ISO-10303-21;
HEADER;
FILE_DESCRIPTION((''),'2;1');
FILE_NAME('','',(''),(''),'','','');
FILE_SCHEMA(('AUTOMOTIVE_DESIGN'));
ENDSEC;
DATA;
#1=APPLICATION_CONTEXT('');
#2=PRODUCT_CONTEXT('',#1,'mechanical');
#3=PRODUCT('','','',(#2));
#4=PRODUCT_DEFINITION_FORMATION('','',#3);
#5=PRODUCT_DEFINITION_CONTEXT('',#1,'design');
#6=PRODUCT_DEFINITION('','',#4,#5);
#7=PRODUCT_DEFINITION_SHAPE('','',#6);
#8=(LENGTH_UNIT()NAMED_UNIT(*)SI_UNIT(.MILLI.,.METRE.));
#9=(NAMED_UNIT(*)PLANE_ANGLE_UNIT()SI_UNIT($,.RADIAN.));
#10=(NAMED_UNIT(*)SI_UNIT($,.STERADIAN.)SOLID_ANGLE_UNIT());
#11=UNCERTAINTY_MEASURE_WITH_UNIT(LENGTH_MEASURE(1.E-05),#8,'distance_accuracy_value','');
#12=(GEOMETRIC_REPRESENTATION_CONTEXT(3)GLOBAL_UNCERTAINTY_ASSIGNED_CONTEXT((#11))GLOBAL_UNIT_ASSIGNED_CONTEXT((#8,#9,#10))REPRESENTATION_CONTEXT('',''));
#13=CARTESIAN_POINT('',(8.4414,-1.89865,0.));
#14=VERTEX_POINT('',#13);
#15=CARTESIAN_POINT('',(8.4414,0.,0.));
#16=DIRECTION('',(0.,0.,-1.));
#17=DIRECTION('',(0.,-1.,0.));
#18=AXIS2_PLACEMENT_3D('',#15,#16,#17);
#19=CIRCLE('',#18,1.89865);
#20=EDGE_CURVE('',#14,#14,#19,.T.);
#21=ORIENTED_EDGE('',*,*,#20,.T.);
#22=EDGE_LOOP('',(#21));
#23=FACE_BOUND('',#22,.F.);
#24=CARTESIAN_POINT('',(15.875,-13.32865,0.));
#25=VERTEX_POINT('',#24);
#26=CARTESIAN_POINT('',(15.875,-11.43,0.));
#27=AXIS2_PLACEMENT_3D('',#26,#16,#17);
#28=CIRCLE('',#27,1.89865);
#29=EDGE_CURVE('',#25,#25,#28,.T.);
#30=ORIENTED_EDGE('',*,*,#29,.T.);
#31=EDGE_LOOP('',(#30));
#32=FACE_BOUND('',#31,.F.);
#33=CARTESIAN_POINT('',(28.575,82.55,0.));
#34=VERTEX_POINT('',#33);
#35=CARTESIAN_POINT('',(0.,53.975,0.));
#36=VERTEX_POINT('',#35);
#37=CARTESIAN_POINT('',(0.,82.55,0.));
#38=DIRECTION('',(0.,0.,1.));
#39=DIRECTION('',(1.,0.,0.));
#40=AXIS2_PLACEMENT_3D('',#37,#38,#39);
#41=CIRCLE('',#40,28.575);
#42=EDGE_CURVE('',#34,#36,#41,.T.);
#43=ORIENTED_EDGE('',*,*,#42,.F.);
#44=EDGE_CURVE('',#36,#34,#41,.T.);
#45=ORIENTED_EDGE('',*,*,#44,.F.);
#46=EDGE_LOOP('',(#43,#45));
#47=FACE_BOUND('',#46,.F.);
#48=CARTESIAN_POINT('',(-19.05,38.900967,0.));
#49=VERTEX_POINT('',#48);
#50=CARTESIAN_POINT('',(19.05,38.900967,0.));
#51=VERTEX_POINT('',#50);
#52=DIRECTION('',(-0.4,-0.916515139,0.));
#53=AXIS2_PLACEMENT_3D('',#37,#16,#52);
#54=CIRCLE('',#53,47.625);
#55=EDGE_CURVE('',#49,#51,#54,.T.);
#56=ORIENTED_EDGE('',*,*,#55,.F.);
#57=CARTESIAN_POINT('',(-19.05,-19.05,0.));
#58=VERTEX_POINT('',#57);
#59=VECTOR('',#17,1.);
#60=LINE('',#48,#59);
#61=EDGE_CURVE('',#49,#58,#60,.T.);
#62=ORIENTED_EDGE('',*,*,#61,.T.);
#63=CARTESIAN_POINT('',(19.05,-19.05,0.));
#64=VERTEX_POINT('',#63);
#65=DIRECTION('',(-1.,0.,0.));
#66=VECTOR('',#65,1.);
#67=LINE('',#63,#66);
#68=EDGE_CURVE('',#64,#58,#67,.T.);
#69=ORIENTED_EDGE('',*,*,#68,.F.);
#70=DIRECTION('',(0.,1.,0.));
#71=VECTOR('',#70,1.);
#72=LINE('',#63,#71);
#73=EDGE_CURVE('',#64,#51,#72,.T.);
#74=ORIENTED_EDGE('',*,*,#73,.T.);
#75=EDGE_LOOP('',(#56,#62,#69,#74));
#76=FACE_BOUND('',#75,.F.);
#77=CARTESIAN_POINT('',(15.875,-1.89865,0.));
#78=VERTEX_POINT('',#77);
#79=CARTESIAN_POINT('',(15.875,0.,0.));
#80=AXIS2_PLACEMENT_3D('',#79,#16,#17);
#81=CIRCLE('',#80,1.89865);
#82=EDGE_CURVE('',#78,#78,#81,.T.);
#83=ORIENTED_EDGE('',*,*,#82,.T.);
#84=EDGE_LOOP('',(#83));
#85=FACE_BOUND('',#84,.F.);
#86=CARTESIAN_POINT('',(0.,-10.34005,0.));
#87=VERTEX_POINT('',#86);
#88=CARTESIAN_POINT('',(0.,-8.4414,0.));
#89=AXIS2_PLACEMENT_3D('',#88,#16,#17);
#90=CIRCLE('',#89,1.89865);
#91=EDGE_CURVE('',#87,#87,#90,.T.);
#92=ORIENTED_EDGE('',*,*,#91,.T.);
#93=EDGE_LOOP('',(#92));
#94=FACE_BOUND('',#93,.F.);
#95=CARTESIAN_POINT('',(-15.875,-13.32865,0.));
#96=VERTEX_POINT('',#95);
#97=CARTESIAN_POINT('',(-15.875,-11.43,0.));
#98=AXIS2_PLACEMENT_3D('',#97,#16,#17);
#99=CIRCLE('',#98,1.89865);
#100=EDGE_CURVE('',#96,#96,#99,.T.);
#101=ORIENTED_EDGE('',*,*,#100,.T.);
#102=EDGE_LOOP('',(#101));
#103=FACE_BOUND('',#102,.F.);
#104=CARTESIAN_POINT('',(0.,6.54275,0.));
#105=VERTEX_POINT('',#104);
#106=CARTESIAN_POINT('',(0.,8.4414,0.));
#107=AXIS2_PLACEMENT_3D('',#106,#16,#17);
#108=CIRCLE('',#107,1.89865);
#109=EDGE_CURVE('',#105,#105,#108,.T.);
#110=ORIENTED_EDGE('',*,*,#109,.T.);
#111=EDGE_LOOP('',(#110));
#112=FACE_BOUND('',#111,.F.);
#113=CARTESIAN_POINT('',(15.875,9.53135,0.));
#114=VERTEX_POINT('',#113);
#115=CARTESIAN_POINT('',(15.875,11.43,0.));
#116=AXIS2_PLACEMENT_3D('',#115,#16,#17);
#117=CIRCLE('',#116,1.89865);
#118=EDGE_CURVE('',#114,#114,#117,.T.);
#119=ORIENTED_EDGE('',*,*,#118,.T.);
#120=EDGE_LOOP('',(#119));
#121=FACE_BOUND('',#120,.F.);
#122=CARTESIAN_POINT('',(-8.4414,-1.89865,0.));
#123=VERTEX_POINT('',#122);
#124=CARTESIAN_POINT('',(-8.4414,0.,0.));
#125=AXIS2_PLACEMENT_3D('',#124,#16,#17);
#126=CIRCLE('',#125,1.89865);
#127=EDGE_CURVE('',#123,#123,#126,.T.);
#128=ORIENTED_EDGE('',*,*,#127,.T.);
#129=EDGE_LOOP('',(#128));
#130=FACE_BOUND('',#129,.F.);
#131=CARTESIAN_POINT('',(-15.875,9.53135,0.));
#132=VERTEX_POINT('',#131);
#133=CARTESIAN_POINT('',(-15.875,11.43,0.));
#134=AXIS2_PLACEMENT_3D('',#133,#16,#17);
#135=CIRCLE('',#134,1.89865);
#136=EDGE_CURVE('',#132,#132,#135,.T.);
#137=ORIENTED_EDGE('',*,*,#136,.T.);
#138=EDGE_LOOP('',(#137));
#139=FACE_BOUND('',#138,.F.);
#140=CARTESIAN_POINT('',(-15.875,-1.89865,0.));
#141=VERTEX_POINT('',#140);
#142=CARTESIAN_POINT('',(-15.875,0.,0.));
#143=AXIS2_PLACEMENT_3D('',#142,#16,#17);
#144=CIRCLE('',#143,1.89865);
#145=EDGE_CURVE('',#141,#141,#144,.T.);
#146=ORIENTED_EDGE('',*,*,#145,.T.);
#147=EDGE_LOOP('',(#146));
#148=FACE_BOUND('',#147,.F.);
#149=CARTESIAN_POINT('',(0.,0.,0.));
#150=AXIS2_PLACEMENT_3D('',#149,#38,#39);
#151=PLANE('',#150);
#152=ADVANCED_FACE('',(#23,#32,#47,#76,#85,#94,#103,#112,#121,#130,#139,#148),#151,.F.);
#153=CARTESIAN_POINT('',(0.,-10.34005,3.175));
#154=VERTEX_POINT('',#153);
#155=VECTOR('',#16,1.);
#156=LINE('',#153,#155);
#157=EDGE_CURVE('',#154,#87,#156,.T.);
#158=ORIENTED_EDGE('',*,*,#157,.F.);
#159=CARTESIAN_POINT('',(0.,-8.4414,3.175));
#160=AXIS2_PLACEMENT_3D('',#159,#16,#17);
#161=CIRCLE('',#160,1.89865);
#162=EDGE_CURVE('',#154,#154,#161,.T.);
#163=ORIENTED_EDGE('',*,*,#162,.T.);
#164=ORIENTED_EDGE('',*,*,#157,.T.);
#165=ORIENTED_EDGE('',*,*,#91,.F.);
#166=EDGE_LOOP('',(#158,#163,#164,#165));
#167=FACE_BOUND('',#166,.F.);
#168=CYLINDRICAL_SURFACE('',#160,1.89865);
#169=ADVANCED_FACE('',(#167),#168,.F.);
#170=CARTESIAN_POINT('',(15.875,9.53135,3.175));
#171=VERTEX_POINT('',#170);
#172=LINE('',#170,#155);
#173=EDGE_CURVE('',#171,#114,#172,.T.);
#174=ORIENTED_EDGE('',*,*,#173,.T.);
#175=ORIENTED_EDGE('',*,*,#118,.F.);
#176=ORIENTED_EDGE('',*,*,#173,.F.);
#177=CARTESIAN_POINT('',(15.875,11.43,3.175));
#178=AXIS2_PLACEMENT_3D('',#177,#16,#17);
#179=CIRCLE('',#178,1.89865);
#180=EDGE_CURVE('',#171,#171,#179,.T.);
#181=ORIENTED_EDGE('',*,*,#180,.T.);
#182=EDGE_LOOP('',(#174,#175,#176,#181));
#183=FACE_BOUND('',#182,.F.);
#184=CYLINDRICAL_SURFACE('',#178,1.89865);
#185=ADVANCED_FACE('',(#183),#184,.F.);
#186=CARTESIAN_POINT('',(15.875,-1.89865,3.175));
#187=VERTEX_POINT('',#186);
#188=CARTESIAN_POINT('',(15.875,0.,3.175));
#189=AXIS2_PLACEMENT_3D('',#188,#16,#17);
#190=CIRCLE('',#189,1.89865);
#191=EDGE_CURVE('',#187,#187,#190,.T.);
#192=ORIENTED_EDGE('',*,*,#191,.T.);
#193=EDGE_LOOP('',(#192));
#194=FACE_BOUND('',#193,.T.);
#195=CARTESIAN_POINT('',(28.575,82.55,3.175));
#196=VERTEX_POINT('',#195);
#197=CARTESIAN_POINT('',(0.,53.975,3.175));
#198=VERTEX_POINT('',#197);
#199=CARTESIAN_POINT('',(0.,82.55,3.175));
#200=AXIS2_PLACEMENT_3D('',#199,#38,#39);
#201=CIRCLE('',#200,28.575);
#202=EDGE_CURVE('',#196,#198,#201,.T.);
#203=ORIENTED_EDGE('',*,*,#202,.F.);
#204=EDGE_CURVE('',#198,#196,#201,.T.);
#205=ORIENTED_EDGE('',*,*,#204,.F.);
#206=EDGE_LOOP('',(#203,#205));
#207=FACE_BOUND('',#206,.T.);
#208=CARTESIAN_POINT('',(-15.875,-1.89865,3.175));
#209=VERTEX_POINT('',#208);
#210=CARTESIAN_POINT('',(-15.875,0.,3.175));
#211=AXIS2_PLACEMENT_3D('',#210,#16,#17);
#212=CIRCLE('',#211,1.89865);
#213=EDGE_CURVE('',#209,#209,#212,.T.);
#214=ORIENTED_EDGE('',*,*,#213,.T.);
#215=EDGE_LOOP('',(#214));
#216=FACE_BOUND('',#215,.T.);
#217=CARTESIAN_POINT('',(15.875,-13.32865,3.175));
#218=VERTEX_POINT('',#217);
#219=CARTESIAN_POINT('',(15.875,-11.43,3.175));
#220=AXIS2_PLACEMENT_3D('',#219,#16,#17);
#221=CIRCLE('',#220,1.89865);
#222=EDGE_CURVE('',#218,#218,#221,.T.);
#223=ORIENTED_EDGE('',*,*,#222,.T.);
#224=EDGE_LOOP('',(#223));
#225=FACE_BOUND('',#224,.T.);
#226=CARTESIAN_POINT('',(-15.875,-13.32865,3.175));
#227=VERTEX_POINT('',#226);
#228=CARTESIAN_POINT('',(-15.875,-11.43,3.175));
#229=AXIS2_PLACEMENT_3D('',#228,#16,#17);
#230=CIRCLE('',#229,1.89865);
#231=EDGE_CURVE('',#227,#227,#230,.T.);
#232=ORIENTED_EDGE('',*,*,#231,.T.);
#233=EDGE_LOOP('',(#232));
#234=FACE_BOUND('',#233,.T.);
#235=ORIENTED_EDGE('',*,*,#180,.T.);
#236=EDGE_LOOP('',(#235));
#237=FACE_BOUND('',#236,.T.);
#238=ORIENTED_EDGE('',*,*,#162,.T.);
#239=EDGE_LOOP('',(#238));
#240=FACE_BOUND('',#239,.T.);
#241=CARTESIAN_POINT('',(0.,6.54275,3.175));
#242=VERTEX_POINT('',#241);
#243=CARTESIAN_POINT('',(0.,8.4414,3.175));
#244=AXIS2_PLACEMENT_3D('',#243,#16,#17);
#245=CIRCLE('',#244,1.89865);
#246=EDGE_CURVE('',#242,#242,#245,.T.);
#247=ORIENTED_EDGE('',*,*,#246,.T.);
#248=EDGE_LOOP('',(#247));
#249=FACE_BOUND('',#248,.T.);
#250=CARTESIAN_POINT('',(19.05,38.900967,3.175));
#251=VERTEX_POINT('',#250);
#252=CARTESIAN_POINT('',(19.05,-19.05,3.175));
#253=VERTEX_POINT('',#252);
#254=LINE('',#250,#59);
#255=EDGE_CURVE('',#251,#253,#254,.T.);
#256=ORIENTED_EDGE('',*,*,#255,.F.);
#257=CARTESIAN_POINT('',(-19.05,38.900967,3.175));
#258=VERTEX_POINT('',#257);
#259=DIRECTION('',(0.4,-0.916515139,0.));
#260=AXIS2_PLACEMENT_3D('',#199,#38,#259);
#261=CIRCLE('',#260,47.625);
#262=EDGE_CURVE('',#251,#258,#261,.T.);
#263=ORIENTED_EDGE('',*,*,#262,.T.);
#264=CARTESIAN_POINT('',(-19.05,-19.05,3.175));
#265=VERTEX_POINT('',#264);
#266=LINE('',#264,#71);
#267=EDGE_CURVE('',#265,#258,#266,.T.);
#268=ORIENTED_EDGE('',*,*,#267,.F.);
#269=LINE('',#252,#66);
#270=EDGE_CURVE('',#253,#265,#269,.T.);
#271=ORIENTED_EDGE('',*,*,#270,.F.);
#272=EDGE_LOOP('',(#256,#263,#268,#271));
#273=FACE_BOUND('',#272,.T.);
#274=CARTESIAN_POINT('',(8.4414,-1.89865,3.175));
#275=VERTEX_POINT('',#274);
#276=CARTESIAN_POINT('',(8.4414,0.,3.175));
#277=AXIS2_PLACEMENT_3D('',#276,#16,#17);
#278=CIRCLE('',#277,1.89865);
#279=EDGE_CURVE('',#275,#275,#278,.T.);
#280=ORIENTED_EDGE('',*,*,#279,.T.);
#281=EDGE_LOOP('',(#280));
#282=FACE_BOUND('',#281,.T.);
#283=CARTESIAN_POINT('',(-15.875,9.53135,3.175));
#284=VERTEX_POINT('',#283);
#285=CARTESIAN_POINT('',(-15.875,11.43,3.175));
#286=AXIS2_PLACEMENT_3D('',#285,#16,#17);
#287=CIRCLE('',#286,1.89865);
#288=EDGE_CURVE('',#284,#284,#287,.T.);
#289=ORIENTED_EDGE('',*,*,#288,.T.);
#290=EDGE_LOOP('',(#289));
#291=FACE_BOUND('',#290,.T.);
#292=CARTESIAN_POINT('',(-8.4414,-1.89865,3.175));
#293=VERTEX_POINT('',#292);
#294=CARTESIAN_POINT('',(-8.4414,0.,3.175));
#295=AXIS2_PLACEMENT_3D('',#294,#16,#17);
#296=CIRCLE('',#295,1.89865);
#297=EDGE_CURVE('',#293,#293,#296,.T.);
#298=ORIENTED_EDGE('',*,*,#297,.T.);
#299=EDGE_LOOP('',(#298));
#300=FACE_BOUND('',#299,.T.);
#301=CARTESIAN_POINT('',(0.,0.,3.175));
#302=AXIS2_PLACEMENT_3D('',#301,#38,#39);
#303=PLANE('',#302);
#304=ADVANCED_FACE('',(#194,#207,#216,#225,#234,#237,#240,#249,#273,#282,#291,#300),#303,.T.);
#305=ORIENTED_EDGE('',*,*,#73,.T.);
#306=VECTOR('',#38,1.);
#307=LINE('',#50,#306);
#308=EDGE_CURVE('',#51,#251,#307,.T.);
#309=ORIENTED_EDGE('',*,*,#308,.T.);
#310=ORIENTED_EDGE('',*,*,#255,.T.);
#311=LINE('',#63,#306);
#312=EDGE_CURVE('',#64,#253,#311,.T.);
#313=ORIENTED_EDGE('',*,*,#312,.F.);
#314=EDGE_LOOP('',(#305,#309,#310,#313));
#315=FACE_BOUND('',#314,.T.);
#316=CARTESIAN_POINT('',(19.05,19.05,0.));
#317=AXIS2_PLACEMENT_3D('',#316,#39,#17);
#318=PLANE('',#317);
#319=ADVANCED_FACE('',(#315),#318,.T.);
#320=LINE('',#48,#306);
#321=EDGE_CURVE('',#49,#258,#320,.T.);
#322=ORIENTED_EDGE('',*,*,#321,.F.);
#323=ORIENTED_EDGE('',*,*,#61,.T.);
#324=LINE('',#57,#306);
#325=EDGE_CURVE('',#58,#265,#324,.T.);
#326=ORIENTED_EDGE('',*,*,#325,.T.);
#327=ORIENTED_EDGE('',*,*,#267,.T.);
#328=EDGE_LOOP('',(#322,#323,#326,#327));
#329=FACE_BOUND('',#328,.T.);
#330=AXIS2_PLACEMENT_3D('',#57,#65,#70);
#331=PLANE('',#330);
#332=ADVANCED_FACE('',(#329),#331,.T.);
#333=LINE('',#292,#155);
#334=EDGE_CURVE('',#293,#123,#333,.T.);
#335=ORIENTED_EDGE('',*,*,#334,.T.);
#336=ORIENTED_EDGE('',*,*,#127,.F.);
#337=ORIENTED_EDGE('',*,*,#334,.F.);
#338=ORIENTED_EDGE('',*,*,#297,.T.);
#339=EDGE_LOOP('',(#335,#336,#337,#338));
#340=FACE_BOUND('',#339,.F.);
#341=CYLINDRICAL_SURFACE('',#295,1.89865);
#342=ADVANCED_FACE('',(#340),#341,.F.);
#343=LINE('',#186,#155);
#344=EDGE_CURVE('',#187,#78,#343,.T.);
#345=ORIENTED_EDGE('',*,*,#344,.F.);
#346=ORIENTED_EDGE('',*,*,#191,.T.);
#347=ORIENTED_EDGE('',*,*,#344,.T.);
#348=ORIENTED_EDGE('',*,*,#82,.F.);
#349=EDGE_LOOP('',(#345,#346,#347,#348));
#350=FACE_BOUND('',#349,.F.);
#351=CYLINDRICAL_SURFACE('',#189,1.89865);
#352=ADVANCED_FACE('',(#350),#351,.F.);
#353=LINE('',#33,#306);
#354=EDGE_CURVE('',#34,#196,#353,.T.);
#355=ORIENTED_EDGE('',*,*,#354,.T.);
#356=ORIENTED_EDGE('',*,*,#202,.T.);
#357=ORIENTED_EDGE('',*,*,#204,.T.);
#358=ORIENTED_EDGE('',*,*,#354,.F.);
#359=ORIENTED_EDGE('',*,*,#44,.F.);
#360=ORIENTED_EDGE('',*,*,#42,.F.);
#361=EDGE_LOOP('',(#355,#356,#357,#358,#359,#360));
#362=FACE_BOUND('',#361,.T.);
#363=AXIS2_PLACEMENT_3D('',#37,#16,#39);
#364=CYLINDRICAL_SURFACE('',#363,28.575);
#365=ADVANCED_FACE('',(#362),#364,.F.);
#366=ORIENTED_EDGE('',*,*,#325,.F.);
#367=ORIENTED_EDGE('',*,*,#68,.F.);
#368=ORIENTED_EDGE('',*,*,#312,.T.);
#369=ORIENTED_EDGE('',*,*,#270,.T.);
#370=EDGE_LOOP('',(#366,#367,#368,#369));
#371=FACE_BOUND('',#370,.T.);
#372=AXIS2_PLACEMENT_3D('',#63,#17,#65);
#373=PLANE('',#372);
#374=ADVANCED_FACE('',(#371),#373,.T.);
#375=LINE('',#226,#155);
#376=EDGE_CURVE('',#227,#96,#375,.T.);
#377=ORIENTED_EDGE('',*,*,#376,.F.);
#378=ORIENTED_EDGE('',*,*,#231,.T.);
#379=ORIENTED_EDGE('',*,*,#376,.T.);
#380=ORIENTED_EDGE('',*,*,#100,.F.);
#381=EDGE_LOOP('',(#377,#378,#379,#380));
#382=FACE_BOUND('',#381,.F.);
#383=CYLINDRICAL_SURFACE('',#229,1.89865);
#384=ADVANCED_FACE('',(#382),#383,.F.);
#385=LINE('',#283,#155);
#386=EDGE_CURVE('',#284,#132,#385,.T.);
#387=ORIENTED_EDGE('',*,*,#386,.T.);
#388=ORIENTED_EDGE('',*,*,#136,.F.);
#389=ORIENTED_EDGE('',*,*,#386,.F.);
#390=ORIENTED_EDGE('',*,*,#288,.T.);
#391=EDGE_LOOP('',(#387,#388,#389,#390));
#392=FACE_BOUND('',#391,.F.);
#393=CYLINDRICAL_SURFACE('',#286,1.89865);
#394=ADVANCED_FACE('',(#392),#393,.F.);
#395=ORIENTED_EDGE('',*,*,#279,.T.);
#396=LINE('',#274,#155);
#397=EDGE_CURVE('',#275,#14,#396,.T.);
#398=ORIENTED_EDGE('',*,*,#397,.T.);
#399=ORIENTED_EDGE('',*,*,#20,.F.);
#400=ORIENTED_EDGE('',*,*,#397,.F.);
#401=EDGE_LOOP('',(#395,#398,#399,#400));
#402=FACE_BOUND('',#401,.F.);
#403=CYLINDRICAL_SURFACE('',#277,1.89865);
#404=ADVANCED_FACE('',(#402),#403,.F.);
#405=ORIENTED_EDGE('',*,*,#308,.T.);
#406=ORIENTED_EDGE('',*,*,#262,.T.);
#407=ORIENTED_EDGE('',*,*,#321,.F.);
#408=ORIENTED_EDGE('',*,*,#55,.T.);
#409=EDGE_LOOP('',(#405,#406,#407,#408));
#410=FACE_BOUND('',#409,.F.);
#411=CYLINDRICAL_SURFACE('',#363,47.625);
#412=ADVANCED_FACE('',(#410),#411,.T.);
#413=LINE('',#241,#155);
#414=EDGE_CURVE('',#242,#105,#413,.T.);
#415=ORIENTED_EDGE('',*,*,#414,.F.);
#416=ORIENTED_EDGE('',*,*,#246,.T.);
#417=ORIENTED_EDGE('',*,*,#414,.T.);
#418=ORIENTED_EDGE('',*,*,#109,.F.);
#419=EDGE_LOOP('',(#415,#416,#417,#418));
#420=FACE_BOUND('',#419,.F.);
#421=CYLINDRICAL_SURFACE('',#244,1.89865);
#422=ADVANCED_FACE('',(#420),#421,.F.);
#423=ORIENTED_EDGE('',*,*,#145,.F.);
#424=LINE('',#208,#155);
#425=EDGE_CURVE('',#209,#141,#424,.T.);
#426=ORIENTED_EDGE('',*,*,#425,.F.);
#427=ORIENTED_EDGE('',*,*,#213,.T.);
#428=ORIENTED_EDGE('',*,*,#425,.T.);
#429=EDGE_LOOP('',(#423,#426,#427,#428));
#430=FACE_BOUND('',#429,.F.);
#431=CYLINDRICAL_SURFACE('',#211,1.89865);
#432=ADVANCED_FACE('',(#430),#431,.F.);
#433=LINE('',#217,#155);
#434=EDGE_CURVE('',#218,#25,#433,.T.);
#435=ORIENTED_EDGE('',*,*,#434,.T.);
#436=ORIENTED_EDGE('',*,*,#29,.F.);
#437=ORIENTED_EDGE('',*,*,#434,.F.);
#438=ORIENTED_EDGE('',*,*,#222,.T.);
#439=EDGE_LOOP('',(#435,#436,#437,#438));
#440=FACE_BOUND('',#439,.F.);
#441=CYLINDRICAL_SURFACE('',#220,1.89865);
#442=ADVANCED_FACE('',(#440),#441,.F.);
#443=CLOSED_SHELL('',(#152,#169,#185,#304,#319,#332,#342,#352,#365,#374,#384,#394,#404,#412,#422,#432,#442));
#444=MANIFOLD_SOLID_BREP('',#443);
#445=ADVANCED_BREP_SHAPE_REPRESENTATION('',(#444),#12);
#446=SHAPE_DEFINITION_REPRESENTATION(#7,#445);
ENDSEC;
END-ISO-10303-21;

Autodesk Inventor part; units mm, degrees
ref_plane "YZ Plane" through (0, 0, 0) normal (1, 0, 0) x (0, 1, 0)
ref_plane "XZ Plane" through (0, 0, 0) normal (0, 1, 0) x (-1, 0, 0)
ref_plane "XY Plane" through (0, 0, 0) normal (0, 0, 1) x (1, 0, 0)
sketch "Sketch1" plane through (0, 0, 0) normal (0, 0, 1) x (1, 0, 0)
  line L0 (19.05, -19.05) -> (-19.05, -19.05)
  line L1 (-19.05, -19.05) -> (-19.05, 19.05)
  line L2 (-19.05, 19.05) -> (19.05, 19.05)
  line L3 (19.05, 19.05) -> (19.05, -19.05)
  line L4 (19.05, -19.05) -> (-19.05, 19.05) construction
  line L5 (-19.05, -19.05) -> (19.05, 19.05) construction
  line L6 (-19.05, 19.05) -> (19.05, 19.05)
  line L7 (19.05, 19.05) -> (19.05, 44.45)
  line L8 (19.05, 44.45) -> (-19.05, 44.45)
  line L9 (-19.05, 44.45) -> (-19.05, 19.05)
  line L10 (0, 19.05) -> (0, 82.55)
  circle A0 centre (0, 82.55) radius 47.625
  circle A1 centre (0, 82.55) radius 28.575
  point P0 (0, 0)
  dimension "d0" = 38.1
  dimension "d1" = 38.1
  dimension "d2" = 25.4
  dimension "d3" = 63.5
  dimension "d4" = 95.25
  dimension "d5" = 57.15
extrude "Extrusion1" add sketch "Sketch1" along normal blind 3.175
sketch "Sketch2" plane through (0, 0, 3.175) normal (0, 0, 1) x (1, 0, 0)
  circle A0 centre (0, 82.55) radius 28.575 construction
  arc A1 (19.05, 38.901) -> (-19.05, 38.901) centre (0, 82.55) ccw construction
  line L0 (-19.05, 38.901) -> (-19.05, -19.05) construction
  line L1 (-19.05, -19.05) -> (19.05, -19.05) construction
  line L2 (19.05, -19.05) -> (19.05, 38.901) construction
  line L3 (-19.05, -19.05) -> (19.05, -19.05) construction
  line L4 (19.05, -19.05) -> (19.05, 19.05) construction
  line L5 (19.05, 19.05) -> (-19.05, 19.05) construction
  line L6 (-19.05, 19.05) -> (-19.05, -19.05) construction
  line L7 (15.875, -11.43) -> (-15.875, -11.43) construction
  line L8 (-15.875, -11.43) -> (-15.875, 11.43) construction
  line L9 (-15.875, 11.43) -> (15.875, 11.43) construction
  line L10 (15.875, 11.43) -> (15.875, -11.43) construction
  line L11 (15.875, -11.43) -> (-15.875, 11.43) construction
  line L12 (-15.875, -11.43) -> (15.875, 11.43) construction
  line L13 (11.43, -15.875) -> (-11.43, -15.875) construction
  line L14 (-11.43, -15.875) -> (-11.43, 15.875) construction
  line L15 (-11.43, 15.875) -> (11.43, 15.875) construction
  line L16 (11.43, 15.875) -> (11.43, -15.875) construction
  line L17 (11.43, -15.875) -> (-11.43, 15.875) construction
  line L18 (-11.43, -15.875) -> (11.43, 15.875) construction
  line L19 (0, -8.4414) -> (8.4414, 0) construction
  line L20 (8.4414, 0) -> (0, 8.4414) construction
  line L21 (0, 8.4414) -> (-8.4414, 0) construction
  line L22 (-8.4414, 0) -> (0, -8.4414) construction
  line L23 (-5.969, -5.969) -> (5.969, 5.969) construction
  line L24 (5.969, -5.969) -> (-5.969, 5.969) construction
  line L25 (-8.4414, -8.4414) -> (8.4414, -8.4414) construction
  line L26 (8.4414, -8.4414) -> (8.4414, 8.4414) construction
  line L27 (8.4414, 8.4414) -> (-8.4414, 8.4414) construction
  line L28 (-8.4414, 8.4414) -> (-8.4414, -8.4414) construction
  line L29 (-8.4414, -8.4414) -> (8.4414, 8.4414) construction
  line L30 (8.4414, -8.4414) -> (-8.4414, 8.4414) construction
  point P0 (0, 0)
  point P1 (0, 8.4414)
  point P2 (8.4414, 0)
  point P3 (-15.875, 0)
  point P4 (15.875, 0)
  dimension "d8" = 38.1
  dimension "d9" = 38.1
  dimension "d10" = 31.75
  dimension "d11" = 22.86
  dimension "d12" = 22.86
  dimension "d13" = 31.75
  dimension "d14" = 11.938
  dimension "d15" = 11.938
  dimension "d16" = 16.8829
  dimension "d17" = 16.8829
  dimension "d18" = 4.445
  dimension "d19" = 7.4336
  dimension "d20" = 5.969
  dimension "d21" = 5.969
  dimension "d22" = 4.445
  dimension "d23" = 7.4336
  dimension "d24" = 9.906
  dimension "d25" = 9.906
  dimension "d26" = 21.844
  dimension "d27" = 21.844
  dimension "d28" = 3.175
  dimension "d29" = 27.4914
hole "Hole1" at (-15.875, 11.43, 3.175) at (-15.875, 0, 3.175) at (-15.875, -11.43, 3.175) at (15.875, -11.43, 3.175) at (15.875, 0, 3.175) at (15.875, 11.43, 3.175) at (0, 8.4414, 3.175) at (0, -8.4414, 3.175) at (8.4414, 0, 3.175) at (-8.4414, 0, 3.175) direction (0, 0, -1) diameter 3.7973 end through all
properties part number "goniometer_stage_top_v1" material "Stainless Steel AISI 304"
